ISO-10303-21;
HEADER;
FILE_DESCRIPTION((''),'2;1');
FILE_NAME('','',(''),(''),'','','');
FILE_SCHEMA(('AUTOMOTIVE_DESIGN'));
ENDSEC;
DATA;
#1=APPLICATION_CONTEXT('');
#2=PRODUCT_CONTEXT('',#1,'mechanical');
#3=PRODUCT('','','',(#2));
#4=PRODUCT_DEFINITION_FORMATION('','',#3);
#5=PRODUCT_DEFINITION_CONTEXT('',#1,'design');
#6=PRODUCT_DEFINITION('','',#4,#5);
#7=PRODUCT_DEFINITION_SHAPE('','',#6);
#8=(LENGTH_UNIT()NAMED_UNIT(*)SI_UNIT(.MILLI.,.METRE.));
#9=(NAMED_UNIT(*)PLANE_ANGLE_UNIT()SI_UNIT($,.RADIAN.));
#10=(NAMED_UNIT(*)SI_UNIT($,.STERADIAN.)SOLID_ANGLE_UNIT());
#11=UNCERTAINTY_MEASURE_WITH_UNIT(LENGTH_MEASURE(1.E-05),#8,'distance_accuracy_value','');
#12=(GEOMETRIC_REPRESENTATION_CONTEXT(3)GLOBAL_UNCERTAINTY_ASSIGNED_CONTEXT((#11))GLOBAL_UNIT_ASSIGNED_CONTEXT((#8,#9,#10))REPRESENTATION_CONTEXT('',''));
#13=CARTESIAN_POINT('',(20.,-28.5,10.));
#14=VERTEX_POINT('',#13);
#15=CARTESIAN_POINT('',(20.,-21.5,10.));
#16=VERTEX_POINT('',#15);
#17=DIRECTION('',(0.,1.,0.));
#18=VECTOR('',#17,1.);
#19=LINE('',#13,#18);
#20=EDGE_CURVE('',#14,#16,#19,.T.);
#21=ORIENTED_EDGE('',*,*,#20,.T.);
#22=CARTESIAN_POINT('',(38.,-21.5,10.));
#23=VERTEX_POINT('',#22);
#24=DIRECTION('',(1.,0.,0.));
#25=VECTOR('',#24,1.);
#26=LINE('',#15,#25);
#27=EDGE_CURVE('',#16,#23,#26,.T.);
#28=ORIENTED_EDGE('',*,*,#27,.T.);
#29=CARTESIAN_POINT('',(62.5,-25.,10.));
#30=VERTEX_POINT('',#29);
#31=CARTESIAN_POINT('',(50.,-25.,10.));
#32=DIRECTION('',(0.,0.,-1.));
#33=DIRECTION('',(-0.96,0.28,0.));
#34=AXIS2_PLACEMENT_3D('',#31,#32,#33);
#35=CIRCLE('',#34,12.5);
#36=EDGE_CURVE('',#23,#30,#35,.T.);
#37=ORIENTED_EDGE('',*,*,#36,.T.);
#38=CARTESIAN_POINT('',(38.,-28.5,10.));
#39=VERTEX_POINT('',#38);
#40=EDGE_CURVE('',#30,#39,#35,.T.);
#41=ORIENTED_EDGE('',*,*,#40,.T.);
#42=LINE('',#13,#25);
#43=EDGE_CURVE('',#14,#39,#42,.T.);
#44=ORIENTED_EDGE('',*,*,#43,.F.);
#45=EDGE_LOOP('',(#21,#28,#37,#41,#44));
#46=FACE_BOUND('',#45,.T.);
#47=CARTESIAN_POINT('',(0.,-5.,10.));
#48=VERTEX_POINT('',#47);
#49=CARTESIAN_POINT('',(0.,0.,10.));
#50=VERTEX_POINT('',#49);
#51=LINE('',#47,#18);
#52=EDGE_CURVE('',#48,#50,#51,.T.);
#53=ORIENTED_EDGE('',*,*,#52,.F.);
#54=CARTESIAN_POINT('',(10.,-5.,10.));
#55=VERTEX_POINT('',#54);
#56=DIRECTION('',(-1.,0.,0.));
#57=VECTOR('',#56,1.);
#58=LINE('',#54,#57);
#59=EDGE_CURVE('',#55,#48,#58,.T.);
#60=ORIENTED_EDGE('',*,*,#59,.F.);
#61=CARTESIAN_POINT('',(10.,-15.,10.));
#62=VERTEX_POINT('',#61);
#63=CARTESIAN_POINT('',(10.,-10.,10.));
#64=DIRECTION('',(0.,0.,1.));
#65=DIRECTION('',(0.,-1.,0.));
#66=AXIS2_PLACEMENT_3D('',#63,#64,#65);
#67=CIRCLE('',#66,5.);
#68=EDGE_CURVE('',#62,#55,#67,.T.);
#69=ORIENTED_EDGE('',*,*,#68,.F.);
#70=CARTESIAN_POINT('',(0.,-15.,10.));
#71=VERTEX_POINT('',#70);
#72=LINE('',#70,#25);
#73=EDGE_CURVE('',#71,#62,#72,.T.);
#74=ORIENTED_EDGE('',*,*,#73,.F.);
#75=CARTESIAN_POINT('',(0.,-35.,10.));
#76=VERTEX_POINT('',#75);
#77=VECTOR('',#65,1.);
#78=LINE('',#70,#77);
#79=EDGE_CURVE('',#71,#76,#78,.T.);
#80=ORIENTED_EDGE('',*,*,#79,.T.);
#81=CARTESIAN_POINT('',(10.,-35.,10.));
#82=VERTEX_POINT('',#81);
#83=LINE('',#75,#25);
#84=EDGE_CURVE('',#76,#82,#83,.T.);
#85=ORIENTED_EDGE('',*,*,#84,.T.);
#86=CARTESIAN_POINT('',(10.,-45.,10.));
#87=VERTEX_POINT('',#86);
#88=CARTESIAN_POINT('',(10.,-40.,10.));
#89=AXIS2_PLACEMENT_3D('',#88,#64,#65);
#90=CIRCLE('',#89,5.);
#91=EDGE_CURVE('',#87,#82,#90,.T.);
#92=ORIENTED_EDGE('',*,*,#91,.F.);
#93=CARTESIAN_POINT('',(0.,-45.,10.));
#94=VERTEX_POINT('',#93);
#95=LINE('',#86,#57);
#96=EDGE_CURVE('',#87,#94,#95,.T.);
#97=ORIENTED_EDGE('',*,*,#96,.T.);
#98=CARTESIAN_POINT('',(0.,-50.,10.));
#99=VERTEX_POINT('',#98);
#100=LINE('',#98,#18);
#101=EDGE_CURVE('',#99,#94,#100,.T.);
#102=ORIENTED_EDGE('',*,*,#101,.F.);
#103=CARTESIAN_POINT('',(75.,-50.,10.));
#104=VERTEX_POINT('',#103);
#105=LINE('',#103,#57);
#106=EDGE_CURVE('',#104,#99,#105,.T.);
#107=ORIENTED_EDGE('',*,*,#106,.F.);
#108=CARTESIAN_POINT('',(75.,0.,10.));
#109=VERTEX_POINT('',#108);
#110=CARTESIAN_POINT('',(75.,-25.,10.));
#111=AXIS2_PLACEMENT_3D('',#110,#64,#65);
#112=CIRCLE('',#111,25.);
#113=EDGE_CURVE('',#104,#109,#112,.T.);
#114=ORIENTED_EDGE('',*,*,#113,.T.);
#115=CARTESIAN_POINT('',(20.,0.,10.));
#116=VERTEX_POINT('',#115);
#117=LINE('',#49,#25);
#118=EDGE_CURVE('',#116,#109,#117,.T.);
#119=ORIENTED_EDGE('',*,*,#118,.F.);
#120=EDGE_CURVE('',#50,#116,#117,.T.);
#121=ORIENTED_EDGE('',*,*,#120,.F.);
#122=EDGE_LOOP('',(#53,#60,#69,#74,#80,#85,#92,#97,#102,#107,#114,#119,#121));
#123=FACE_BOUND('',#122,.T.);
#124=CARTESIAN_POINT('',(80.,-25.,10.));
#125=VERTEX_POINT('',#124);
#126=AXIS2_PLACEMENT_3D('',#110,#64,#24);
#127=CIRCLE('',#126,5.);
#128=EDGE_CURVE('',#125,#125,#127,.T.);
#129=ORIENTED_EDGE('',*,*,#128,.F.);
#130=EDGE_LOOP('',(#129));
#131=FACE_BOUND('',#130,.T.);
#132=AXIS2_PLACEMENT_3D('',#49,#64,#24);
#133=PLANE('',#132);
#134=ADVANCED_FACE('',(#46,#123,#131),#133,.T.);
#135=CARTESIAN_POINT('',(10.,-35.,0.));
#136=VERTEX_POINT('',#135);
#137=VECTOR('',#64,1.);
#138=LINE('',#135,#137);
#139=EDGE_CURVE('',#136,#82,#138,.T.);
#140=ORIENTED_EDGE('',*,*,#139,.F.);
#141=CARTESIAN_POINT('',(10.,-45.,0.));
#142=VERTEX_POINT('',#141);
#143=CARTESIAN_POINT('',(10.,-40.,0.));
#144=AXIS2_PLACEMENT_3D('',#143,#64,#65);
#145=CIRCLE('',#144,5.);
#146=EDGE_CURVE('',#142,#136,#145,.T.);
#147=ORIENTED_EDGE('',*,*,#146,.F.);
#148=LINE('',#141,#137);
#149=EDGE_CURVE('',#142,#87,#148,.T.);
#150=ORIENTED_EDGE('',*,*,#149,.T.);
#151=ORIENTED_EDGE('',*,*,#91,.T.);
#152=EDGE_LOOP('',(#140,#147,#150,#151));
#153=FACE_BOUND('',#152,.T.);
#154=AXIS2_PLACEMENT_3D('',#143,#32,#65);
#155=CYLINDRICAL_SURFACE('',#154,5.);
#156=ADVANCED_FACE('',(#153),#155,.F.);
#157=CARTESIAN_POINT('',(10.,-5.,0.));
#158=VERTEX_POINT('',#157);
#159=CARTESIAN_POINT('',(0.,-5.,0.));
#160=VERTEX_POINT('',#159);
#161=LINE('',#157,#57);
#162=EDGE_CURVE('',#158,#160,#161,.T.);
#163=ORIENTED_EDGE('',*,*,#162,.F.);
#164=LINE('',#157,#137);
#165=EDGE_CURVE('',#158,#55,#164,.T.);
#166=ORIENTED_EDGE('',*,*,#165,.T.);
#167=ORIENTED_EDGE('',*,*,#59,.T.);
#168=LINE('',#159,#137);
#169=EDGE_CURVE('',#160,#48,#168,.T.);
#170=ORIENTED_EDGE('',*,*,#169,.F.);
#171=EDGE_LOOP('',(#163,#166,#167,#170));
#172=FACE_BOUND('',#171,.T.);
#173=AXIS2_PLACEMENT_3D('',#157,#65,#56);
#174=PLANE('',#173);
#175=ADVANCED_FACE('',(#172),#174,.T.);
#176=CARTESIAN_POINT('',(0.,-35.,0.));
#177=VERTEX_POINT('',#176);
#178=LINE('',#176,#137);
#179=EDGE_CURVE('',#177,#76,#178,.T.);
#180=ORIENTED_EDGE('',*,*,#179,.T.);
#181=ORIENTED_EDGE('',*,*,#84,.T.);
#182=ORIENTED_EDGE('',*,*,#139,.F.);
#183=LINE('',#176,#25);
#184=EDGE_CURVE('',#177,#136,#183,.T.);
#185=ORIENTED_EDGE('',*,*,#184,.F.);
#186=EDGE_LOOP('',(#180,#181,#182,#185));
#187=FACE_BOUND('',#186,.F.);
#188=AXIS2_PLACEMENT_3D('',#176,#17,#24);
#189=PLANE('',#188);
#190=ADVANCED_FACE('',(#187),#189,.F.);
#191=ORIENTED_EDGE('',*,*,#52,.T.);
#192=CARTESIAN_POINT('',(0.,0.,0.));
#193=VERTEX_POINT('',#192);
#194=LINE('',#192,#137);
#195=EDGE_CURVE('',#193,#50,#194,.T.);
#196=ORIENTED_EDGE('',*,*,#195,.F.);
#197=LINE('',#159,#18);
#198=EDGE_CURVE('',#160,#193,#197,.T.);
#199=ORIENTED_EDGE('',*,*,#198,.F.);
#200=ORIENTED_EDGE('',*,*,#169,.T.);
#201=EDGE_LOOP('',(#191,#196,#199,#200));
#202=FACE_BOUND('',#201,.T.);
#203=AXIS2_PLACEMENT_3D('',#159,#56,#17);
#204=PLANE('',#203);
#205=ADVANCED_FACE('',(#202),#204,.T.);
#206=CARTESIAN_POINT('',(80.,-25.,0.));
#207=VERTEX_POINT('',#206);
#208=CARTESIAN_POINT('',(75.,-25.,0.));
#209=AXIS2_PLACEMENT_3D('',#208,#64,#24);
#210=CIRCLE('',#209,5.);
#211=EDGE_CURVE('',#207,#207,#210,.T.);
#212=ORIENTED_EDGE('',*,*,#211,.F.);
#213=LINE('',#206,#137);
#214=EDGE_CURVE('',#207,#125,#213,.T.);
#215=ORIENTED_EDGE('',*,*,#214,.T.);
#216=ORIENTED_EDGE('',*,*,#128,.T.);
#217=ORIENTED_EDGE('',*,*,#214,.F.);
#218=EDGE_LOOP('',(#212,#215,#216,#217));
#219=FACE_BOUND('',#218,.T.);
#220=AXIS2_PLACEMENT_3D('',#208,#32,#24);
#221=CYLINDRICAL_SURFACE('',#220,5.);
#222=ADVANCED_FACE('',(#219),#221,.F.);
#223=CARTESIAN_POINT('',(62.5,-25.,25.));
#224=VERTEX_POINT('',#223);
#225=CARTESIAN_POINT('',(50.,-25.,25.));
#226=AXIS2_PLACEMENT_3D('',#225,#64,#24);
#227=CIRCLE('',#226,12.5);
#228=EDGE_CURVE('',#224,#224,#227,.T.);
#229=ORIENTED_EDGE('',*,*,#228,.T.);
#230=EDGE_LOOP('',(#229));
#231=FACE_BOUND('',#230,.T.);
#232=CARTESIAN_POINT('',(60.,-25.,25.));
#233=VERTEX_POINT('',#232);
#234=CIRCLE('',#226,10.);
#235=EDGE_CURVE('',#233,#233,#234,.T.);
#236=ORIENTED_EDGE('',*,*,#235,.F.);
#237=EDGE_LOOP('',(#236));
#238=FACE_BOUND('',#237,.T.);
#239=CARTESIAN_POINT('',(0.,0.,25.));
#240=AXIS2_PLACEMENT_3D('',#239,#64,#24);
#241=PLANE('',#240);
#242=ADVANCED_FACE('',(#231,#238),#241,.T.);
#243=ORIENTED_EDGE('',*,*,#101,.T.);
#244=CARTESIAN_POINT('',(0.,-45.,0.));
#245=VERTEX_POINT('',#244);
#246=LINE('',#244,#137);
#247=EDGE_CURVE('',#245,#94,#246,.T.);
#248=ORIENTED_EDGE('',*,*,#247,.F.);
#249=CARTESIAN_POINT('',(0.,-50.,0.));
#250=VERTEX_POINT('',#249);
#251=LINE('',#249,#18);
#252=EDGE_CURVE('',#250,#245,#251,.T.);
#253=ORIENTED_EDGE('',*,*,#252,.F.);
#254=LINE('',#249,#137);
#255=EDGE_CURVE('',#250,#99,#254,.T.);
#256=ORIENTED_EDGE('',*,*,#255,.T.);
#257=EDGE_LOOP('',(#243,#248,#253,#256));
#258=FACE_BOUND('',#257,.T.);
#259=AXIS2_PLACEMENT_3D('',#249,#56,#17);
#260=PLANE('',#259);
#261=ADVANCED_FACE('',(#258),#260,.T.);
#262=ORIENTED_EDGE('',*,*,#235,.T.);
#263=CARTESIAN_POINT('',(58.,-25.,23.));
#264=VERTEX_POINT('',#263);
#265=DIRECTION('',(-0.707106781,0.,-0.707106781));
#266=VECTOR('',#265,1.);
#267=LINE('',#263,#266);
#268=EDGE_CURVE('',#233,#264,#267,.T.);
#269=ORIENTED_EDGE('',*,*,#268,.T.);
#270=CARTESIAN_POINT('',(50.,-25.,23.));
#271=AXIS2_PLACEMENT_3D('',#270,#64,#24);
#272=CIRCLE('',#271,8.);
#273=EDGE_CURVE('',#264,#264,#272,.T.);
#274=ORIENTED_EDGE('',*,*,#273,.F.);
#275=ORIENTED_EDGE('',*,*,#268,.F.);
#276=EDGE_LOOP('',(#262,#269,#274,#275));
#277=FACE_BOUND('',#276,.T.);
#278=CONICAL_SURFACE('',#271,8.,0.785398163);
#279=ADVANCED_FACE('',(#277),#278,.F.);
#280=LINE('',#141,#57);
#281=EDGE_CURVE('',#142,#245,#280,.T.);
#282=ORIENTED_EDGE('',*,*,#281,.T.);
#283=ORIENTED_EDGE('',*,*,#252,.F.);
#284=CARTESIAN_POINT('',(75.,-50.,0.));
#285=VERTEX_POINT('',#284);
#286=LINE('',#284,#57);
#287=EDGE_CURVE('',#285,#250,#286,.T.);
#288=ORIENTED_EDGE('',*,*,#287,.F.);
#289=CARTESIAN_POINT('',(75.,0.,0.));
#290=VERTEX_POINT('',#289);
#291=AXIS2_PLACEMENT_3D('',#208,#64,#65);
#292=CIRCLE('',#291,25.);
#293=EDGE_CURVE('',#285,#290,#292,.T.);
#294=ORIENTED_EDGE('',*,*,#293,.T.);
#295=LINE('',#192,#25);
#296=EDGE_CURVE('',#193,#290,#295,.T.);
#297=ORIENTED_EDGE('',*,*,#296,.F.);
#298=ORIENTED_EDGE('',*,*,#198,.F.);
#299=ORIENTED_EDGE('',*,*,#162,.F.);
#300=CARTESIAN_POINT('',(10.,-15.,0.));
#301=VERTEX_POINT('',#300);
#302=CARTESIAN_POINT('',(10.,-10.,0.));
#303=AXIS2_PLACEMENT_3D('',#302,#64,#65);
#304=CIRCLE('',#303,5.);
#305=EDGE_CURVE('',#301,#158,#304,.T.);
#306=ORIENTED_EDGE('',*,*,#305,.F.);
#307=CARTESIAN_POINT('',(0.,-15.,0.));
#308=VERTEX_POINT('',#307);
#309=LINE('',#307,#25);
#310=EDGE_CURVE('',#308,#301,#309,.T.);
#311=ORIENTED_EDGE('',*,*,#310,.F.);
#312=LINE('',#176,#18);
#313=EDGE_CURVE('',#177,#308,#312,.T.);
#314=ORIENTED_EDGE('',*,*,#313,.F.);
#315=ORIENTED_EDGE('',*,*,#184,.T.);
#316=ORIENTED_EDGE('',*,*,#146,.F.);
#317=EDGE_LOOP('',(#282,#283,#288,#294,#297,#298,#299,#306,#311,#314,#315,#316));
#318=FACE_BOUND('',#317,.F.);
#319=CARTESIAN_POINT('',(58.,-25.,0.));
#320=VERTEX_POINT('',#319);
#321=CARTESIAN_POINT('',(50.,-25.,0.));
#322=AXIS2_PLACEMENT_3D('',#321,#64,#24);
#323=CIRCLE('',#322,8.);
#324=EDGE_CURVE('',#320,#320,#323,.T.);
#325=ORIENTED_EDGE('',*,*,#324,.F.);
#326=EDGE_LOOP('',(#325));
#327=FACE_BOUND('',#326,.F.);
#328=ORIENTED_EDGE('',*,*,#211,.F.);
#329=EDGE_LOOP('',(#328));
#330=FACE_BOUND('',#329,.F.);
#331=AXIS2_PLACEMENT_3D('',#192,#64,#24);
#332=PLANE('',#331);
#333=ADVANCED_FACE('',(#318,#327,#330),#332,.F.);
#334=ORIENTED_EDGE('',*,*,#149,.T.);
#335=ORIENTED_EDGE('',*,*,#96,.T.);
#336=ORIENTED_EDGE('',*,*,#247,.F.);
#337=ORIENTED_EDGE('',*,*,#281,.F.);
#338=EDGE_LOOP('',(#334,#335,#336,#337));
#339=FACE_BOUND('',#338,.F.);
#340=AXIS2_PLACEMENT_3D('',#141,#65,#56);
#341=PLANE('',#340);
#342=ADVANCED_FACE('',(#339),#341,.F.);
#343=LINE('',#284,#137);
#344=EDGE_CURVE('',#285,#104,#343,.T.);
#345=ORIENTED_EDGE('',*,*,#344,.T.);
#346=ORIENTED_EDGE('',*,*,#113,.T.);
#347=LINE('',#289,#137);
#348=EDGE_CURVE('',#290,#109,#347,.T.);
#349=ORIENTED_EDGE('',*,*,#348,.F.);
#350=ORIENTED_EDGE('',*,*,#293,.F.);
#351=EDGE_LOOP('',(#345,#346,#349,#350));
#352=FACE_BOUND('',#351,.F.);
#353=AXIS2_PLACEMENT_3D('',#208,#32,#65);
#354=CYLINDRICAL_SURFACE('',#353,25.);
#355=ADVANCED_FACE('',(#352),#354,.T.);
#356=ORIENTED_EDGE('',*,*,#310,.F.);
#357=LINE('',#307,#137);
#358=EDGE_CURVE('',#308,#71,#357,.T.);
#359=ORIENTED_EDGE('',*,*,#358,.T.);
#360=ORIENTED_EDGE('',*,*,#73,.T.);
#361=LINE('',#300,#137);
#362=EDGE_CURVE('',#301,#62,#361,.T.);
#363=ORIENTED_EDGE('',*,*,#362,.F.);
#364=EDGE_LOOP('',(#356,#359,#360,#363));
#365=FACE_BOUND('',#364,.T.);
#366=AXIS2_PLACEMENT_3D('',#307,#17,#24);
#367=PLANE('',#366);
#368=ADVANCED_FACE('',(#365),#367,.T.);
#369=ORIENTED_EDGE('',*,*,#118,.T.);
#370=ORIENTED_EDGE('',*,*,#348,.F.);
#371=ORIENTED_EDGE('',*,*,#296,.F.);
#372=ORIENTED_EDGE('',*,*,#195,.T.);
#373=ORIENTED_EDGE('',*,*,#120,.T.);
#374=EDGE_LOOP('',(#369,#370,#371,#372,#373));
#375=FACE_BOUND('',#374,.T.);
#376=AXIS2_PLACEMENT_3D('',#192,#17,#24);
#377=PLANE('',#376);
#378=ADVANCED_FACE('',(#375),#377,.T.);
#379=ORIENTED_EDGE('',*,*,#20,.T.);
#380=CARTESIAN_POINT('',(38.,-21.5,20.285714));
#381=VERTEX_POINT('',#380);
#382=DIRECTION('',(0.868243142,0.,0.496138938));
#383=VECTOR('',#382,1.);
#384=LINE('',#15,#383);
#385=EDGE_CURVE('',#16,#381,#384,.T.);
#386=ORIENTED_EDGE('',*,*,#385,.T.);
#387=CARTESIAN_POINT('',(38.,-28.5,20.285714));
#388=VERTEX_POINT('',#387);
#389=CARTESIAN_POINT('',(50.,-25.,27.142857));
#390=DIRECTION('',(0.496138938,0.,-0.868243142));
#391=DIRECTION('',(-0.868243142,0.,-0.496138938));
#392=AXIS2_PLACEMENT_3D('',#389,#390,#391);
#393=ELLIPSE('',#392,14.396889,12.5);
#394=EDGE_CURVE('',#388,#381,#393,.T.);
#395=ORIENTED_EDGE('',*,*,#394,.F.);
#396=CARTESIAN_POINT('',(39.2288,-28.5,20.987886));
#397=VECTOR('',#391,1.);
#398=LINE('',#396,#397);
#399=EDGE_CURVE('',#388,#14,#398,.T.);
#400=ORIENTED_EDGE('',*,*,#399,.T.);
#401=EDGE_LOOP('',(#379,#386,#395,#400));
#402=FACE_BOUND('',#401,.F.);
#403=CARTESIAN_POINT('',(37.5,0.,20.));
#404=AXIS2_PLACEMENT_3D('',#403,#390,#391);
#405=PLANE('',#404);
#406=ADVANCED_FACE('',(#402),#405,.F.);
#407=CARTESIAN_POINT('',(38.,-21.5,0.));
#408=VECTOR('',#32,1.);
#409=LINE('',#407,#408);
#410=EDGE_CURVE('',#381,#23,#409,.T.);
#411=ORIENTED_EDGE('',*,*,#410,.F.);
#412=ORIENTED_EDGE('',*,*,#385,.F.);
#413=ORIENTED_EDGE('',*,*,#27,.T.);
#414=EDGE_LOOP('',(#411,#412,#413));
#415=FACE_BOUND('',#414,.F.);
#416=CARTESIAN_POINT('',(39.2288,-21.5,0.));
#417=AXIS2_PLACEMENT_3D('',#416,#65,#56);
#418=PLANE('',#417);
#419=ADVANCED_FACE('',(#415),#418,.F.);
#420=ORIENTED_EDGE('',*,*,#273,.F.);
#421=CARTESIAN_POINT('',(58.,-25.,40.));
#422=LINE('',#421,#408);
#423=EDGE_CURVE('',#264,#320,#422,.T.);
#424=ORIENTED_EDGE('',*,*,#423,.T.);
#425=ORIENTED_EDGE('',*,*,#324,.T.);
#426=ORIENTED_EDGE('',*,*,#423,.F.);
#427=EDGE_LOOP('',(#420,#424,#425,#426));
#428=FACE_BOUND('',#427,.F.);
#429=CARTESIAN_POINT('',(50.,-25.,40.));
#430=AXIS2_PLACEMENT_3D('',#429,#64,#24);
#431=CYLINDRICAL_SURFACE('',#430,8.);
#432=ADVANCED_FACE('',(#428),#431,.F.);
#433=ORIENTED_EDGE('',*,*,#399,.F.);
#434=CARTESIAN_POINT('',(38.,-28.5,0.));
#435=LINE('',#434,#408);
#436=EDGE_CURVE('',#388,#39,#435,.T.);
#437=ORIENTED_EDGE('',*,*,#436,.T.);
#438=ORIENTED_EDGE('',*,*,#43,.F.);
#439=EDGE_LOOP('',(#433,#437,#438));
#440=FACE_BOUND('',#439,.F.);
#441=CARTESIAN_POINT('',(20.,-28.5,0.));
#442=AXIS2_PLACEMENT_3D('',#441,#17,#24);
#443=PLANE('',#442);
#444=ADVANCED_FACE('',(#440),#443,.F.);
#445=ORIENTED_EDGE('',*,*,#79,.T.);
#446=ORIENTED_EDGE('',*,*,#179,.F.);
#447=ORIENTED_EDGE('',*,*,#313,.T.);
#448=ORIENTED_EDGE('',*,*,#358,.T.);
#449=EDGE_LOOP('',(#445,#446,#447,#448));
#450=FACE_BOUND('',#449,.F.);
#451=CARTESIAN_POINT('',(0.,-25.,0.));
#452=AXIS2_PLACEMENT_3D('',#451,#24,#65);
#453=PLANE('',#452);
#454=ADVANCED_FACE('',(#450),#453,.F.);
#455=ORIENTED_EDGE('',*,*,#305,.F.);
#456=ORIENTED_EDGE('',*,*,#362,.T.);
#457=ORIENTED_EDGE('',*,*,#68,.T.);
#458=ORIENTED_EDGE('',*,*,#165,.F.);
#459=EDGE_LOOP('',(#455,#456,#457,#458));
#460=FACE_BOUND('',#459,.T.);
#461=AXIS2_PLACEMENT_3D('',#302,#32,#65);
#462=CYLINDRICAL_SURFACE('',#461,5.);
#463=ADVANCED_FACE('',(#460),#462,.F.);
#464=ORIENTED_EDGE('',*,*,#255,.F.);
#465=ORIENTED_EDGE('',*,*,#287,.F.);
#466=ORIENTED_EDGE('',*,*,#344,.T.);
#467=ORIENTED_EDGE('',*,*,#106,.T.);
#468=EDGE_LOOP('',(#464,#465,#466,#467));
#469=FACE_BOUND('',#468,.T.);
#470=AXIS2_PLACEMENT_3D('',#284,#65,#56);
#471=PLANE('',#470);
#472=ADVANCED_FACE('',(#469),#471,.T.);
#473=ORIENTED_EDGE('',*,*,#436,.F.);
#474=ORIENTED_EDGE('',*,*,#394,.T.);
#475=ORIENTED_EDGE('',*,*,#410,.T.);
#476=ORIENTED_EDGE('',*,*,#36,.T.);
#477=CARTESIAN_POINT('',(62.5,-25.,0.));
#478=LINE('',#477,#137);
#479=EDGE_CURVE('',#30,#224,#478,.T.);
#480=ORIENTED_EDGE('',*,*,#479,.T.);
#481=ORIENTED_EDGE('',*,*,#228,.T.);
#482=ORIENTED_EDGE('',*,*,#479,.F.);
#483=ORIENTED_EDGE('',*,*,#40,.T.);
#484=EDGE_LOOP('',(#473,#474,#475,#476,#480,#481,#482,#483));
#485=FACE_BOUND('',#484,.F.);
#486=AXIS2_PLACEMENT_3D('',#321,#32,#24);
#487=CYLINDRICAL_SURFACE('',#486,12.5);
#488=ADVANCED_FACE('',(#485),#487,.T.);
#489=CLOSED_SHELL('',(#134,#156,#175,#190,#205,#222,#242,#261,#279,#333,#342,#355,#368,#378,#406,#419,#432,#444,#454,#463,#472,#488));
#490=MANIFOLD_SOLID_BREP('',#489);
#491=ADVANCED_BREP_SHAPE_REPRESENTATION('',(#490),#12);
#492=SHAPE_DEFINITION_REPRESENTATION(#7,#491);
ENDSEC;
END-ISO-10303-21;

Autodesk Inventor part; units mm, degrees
ref_plane "YZ Plane" through (0, 0, 0) normal (1, 0, 0) x (0, 1, 0)
sketch "Эскиз1" plane through (0, 0, 0) normal (0, 0, 1) x (1, 0, 0)
  line L0 (0, 0) -> (75, 0)
  line L1 (75, -50) -> (0, -50)
  line L2 (0, -50) -> (0, -45)
  arc A0 (75, -50) -> (75, 0) centre (75, -25) ccw
  line L3 (0, -25) -> (0, -15)
  line L4 (0, -15) -> (0, -35)
  line L5 (0, -35) -> (10, -35)
  line L6 (10, -45) -> (0, -45)
  line L7 (0, -15) -> (10, -15)
  line L8 (10, -5) -> (0, -5)
  arc A1 (10, -15) -> (10, -5) centre (10, -10) ccw
  arc A2 (10, -45) -> (10, -35) centre (10, -40) ccw
  line L9 (0, -5) -> (0, 0)
  line L10 (0, -35) -> (0, -15)
  circle A3 centre (50, -25) radius 12.5
  circle A4 centre (75, -25) radius 5
  line L11 (20, -25) -> (20, -21.5)
  line L12 (20, -21.5) -> (20, -28.5)
  line L13 (20, -28.5) -> (38, -28.5)
  line L14 (20, -21.5) -> (38, -21.5)
sketch "Эскиз2" plane through (0, 0, 0) normal (0, 1, 0) x (-1, 0, 0)
  point P0 (0, 0)
sketch "Эскиз3" plane through (0, 0, 0) normal (0, 1, 0) x (-1, 0, 0)
  line L0 (0, 0) -> (0, 10)
  line L1 (0, 10) -> (-20, 10)
  line L2 (-20, 10) -> (-37.5, 10)
  line L3 (-37.5, 10) -> (-37.5, 20)
  line L4 (-37.5, 20) -> (-20, 10)
  line L5 (-44.031, 23.732) -> (-37.5, 20)
  line L6 (-44.031, 23.732) -> (-44.031, 33.732)
  line L7 (-44.031, 33.732) -> (-20, 33.732)
  line L8 (-20, 33.732) -> (-20, 10)
  dimension "d24" = 10
  dimension "d25" = 20
  dimension "d26" = 17.5
  dimension "d27" = 10
  dimension "d28" = 10
sketch "Эскиз4" plane through (0, 0, 0) normal (0, 1, 0) x (-1, 0, 0)
  point P0 (0, 0)
ref_plane "РабПлоскость1" through (0, 0, 0) normal (0, 0, 1) x (1, 0, 0)
sketch "Эскиз5" plane through (0, 0, 0) normal (0, 0, 1) x (1, 0, 0)
  circle A0 centre (50, -25) radius 12.5
  point P0 (0, 0)
ref_plane "РабПлоскость2" through (0, 0, 0) normal (0, 0, 1) x (1, 0, 0)
sketch "Эскиз6" plane through (0, 0, 0) normal (0, 0, 1) x (1, 0, 0)
  line L0 (20, -21.5) -> (20, -28.5)
  line L1 (20, -28.5) -> (39.2288, -28.5)
  line L2 (39.2288, -28.5) -> (39.2288, -21.5)
  line L3 (39.2288, -21.5) -> (20, -21.5)
  point P0 (0, 0)
extrude "Выдавливание1" add sketch "Эскиз1" along normal blind 10
extrude "Выдавливание2" add sketch "Эскиз6" along normal blind 25
extrude "Выдавливание3" cut sketch "Эскиз3" against normal blind 35 contours L4 L5 L6 L7 L8
ref_plane "РабПлоскость3" through (0, 0, 0) normal (0, 0, 1) x (1, 0, 0)
sketch "Эскиз7" plane through (0, 0, 0) normal (0, 0, 1) x (1, 0, 0)
  circle A0 centre (50, -25) radius 12.5
  point P0 (0, 0)
extrude "Выдавливание4" cut sketch "Эскиз7" along normal blind 25
extrude "Выдавливание5" add sketch "Эскиз5" along normal blind 25
ref_plane "РабПлоскость4" through (0, 0, 40) normal (0, 0, 1) x (1, 0, 0)
sketch "Эскиз8" plane through (0, 0, 40) normal (0, 0, 1) x (1, 0, 0)
  circle A0 centre (50, -25) radius 8
  point P0 (0, 0)
extrude "Выдавливание6" cut sketch "Эскиз8" against normal blind 70
thread "Резьба1" size "M16x1.5" class "6H" standard "ANSI Metric M Profile" full length
chamfer "Фаска1" distance 2 angle 45 1 edges at (42, -25, 25)
